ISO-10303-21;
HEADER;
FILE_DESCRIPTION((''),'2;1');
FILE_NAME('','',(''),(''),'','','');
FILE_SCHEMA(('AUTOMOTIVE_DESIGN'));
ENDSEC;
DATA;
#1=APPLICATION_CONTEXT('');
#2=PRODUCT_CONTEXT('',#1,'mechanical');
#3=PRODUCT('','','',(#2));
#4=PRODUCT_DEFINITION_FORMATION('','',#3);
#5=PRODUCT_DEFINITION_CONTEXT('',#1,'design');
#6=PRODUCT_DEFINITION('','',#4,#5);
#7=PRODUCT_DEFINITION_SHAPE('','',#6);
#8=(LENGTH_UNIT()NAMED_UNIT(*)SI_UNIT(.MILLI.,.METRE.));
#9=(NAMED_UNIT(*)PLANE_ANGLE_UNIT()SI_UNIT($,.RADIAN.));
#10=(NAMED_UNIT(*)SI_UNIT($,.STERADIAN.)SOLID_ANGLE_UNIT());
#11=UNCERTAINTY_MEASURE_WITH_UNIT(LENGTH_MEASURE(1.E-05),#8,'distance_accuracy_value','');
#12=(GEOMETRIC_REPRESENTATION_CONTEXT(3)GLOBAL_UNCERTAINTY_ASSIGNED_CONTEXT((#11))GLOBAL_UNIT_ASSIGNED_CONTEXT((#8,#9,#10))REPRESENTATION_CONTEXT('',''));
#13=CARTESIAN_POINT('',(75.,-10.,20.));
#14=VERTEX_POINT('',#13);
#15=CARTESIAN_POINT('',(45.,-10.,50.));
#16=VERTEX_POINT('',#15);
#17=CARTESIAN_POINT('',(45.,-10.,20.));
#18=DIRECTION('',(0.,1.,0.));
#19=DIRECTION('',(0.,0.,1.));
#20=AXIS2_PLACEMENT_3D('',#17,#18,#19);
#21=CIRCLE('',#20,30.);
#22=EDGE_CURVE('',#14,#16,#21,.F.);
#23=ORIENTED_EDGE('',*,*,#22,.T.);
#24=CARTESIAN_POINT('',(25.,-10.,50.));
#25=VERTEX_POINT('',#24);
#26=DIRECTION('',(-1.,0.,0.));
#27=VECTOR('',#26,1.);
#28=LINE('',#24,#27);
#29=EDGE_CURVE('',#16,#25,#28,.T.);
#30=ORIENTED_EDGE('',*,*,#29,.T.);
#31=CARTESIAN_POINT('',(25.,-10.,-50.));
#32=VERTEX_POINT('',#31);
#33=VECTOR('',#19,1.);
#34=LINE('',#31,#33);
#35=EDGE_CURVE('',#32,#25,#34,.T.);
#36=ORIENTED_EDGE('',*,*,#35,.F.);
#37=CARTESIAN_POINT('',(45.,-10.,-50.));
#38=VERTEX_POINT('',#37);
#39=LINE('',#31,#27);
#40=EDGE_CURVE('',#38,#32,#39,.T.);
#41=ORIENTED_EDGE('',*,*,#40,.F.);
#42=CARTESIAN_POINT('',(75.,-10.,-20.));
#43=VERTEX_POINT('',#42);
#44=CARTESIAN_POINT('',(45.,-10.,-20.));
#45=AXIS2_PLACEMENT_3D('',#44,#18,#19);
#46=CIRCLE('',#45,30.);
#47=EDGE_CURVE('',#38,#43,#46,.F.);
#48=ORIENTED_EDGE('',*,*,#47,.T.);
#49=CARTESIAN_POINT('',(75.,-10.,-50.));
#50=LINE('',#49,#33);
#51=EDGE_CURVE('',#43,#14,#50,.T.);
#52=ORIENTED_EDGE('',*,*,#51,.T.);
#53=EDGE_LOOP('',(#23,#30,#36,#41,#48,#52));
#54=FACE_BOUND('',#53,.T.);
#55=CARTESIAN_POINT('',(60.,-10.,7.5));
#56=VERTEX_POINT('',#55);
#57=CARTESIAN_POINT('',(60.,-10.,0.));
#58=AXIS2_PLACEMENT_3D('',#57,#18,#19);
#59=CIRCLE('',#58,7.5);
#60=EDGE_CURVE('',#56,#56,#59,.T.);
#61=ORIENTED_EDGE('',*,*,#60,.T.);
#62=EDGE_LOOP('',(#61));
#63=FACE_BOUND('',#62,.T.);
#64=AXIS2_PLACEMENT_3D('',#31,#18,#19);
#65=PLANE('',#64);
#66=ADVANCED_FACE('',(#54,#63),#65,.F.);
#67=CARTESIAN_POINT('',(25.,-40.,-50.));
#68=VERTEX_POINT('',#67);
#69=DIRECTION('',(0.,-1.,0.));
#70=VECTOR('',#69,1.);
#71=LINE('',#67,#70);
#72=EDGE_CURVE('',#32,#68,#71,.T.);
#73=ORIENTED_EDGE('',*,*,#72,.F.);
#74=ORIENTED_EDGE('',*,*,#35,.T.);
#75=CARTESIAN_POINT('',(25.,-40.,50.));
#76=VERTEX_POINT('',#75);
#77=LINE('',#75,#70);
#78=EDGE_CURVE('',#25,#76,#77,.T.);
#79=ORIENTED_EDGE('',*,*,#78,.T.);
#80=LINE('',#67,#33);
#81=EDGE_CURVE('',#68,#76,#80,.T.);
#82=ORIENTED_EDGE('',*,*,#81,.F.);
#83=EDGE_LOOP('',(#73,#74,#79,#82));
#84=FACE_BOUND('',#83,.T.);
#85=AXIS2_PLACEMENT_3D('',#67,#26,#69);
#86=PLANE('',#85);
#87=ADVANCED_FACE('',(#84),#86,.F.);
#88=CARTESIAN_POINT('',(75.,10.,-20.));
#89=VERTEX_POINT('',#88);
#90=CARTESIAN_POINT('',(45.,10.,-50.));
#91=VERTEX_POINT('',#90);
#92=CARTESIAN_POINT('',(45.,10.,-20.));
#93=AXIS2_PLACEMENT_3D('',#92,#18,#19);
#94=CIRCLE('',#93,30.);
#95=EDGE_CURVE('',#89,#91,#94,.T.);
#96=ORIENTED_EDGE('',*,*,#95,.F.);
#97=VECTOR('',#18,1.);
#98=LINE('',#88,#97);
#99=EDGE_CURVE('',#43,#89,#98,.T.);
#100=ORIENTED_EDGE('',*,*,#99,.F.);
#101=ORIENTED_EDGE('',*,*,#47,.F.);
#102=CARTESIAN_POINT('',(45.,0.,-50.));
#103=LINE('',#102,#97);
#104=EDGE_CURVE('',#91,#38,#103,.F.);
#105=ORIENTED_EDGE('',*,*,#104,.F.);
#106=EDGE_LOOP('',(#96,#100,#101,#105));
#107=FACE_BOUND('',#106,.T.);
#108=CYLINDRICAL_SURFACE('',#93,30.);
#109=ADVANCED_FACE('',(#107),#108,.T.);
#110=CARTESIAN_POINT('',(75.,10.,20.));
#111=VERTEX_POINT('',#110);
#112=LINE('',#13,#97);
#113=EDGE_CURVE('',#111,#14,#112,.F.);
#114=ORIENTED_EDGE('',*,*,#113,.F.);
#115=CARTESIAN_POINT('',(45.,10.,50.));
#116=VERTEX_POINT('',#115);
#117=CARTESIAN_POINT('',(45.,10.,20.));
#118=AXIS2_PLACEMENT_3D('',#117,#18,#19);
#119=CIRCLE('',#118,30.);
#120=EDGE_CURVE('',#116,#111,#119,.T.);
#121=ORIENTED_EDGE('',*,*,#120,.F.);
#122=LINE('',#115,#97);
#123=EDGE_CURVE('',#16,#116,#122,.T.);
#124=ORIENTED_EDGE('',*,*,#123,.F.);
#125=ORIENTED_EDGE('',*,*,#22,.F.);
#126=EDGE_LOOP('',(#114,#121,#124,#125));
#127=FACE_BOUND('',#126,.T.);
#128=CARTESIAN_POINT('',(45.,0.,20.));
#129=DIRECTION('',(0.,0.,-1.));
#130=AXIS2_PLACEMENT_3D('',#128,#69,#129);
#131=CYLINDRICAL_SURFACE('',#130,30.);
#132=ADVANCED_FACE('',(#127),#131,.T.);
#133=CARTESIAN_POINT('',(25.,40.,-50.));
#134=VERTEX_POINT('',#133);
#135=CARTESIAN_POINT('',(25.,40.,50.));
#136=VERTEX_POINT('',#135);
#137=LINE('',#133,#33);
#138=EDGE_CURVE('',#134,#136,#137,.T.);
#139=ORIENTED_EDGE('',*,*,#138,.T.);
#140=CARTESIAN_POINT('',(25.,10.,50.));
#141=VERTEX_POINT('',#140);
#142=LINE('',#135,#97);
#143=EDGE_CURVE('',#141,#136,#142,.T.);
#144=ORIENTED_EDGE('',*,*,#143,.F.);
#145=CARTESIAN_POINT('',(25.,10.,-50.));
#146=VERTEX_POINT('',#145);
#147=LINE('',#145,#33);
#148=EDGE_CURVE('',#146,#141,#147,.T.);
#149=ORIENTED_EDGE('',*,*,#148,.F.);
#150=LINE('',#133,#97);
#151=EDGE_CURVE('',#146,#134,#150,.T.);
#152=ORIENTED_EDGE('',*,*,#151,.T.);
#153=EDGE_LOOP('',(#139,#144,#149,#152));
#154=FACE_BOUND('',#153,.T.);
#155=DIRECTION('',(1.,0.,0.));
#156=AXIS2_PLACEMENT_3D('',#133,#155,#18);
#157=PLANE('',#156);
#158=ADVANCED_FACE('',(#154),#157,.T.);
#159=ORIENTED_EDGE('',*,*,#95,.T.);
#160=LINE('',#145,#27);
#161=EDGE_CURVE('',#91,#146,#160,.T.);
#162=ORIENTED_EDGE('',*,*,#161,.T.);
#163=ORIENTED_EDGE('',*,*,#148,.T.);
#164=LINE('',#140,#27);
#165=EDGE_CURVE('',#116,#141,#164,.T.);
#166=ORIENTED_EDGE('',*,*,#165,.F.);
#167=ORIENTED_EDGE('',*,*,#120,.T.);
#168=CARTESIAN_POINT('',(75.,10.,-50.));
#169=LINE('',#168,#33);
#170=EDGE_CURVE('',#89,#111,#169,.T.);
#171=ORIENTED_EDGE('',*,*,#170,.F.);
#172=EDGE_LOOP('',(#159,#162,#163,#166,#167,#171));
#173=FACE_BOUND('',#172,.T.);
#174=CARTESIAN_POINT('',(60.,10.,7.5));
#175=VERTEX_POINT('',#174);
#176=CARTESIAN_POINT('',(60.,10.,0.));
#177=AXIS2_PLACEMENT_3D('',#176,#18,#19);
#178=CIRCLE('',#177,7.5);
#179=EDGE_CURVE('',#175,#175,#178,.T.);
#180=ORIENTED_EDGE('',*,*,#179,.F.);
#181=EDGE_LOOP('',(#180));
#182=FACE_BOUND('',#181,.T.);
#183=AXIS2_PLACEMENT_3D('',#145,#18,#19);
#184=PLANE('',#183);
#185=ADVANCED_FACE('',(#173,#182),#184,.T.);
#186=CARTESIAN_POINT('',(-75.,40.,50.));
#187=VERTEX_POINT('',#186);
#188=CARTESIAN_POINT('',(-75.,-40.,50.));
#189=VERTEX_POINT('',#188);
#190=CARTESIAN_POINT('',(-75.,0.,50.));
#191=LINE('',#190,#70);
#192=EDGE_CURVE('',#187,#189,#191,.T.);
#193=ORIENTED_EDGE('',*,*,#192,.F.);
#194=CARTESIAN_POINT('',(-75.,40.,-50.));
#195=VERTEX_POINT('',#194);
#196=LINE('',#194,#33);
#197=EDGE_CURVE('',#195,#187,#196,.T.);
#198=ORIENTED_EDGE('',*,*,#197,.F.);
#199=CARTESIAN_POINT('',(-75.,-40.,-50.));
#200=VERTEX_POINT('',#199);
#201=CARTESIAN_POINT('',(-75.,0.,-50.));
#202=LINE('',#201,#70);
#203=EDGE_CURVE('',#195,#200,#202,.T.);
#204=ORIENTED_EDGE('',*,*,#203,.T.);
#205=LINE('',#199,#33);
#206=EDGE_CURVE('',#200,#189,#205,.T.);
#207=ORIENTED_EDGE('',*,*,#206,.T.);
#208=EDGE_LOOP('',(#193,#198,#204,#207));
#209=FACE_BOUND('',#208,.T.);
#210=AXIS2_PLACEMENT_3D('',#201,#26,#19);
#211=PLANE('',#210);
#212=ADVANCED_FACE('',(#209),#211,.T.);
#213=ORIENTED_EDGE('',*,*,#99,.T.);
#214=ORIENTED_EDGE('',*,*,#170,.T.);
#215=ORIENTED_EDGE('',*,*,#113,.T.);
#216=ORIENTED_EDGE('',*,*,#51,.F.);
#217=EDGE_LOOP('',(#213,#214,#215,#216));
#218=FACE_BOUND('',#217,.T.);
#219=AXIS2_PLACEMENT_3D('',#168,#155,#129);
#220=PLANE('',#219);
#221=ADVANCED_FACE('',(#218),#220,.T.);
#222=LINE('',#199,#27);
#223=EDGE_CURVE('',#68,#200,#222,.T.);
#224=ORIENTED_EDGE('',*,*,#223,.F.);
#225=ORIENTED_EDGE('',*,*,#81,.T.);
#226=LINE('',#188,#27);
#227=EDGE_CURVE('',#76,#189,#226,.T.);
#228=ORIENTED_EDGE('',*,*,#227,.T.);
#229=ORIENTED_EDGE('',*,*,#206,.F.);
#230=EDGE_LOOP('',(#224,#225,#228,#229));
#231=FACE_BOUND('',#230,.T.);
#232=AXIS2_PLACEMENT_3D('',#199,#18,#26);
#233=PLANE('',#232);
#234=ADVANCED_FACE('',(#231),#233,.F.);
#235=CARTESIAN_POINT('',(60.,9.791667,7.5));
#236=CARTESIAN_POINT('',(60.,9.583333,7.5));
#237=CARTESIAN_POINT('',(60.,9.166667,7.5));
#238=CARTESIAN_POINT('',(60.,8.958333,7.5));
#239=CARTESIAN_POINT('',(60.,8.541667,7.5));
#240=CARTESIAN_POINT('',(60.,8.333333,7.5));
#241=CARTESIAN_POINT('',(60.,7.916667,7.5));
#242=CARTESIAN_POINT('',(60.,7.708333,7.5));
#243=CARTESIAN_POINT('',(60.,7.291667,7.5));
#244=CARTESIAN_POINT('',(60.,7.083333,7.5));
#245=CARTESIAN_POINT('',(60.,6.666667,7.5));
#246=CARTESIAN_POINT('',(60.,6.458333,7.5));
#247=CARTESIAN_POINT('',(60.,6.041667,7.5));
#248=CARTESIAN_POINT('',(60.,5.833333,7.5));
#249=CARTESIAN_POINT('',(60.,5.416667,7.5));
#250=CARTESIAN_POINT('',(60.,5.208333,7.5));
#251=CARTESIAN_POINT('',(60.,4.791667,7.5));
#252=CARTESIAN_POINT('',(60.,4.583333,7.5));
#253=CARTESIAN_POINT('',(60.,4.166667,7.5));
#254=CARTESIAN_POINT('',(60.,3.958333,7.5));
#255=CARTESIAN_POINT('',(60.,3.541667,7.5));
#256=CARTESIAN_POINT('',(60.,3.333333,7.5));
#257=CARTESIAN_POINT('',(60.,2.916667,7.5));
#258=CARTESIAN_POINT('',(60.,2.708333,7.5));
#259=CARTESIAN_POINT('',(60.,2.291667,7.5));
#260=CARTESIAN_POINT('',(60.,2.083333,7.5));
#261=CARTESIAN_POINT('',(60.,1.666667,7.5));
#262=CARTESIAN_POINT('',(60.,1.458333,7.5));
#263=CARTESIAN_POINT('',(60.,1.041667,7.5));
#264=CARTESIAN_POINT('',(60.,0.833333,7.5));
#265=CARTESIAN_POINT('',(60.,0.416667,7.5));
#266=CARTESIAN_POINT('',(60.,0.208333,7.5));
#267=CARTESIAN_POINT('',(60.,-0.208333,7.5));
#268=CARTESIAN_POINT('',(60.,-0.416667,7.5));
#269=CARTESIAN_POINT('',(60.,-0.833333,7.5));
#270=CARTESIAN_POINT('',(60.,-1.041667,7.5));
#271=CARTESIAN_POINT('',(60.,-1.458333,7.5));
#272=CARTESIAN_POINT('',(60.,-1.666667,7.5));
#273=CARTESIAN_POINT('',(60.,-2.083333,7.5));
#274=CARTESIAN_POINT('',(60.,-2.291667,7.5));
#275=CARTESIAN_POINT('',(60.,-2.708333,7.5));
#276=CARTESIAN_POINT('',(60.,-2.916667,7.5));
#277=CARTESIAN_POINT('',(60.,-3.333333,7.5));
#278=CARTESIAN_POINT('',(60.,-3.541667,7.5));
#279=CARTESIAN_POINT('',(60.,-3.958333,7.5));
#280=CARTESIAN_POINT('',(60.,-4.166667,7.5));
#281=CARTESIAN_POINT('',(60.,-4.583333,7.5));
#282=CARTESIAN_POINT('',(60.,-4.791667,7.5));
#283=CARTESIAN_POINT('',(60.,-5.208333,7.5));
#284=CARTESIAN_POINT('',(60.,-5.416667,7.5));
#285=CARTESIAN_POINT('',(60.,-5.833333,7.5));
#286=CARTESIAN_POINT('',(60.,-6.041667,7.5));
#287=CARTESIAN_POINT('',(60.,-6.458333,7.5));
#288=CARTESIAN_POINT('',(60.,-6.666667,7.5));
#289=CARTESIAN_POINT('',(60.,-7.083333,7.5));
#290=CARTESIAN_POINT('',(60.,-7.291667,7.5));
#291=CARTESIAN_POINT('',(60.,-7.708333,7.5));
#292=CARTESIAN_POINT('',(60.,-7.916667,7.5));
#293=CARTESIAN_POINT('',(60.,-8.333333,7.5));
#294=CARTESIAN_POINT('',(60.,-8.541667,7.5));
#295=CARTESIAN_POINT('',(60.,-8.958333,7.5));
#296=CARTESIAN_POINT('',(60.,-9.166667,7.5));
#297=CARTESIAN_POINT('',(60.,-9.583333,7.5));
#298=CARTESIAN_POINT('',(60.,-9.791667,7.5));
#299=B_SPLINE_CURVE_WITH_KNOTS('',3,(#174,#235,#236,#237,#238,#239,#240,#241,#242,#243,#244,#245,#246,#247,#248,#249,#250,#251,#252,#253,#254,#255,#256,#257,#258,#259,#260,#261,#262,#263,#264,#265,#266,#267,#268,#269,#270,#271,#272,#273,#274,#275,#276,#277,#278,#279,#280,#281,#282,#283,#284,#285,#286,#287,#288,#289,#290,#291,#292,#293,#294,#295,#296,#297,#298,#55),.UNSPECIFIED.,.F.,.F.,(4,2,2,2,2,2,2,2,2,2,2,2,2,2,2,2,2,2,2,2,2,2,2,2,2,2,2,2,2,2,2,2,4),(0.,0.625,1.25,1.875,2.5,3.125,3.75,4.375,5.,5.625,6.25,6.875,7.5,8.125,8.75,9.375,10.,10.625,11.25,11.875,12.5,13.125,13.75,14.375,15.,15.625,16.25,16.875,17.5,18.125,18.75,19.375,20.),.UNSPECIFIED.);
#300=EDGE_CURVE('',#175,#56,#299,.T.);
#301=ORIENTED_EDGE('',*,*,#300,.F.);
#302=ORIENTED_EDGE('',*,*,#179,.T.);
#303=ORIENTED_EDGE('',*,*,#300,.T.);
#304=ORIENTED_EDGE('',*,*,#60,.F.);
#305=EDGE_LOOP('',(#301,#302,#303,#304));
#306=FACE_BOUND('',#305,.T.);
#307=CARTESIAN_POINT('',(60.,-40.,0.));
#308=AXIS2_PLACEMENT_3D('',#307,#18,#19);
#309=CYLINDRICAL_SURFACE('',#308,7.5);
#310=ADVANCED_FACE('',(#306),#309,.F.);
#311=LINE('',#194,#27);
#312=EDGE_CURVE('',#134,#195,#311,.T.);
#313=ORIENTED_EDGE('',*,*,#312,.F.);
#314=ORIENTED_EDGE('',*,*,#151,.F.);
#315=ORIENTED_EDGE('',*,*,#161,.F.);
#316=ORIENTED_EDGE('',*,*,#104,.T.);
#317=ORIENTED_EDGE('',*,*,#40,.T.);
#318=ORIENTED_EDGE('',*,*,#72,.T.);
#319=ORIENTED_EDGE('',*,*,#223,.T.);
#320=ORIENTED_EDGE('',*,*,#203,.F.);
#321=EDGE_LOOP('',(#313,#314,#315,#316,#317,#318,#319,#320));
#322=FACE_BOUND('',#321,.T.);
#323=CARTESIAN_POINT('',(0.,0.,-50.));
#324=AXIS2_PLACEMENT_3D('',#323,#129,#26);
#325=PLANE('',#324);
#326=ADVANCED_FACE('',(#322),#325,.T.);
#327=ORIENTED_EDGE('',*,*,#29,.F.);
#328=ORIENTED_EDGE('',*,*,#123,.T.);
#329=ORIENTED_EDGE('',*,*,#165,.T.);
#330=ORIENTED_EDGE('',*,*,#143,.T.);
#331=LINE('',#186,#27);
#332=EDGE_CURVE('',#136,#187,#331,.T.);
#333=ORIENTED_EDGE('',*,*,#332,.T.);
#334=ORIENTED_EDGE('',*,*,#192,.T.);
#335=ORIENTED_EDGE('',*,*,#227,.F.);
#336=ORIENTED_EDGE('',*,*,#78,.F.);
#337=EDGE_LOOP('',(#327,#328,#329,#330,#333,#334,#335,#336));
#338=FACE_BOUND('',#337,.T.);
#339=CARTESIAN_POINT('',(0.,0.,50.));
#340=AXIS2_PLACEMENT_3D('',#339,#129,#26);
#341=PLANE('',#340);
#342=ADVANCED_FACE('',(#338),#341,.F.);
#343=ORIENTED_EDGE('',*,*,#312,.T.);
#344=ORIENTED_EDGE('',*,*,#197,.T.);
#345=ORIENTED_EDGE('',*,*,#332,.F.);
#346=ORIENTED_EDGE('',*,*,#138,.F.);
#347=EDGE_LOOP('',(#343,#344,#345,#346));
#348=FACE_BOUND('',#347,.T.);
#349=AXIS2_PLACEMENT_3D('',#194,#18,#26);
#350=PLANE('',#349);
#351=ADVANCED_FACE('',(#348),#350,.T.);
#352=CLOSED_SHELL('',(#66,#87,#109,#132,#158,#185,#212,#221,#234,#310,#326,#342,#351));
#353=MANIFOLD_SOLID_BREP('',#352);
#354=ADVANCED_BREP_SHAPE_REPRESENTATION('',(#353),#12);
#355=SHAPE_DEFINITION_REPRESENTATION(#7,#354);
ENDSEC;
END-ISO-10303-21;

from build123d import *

# Parameters (mm, degrees)
BOSS_EXTRUDE1_DEPTH = 50
SKETCH2_R           = 7.5
CUT_EXTRUDE1_DEPTH  = 104.07764064
FILLET1_R           = 30
FILLET2_R           = 30


with BuildPart() as part:
    # Sketch1 → Boss-Extrude1 (new, symmetric)
    with BuildSketch(Plane.XY):
        Polygon((0, 0), (-75, 0), (-75, 40), (25, 40), (25, 10), (75, 10), (75, 0), align=None)
    boss_extrude1 = extrude(amount=BOSS_EXTRUDE1_DEPTH, both=True)

    # Mirror1: Boss-Extrude1 across plane
    add(boss_extrude1.mirror(Plane(origin=(0, 0, -50), x_dir=(0, 0, 1), z_dir=(0, -1, 0))))

    # Sketch2 → Cut-Extrude1 (cut, through all)
    with BuildSketch(Plane(origin=(0, 10, 0), x_dir=(1, 0, 0), z_dir=(0, 1, 0))):
        with Locations((60, 0)):
            Circle(SKETCH2_R)
    extrude(amount=-CUT_EXTRUDE1_DEPTH, mode=Mode.SUBTRACT)

    # Fillet1
    fillet1_edges = [part.edges().sort_by_distance(p)[0] for p in [
        (75, 0, -50),
    ]]
    fillet(fillet1_edges, radius=FILLET1_R)

    # Fillet2
    fillet2_edges = [part.edges().sort_by_distance(p)[0] for p in [
        (75, 0, 50),
    ]]
    fillet(fillet2_edges, radius=FILLET2_R)


solid = part.part
